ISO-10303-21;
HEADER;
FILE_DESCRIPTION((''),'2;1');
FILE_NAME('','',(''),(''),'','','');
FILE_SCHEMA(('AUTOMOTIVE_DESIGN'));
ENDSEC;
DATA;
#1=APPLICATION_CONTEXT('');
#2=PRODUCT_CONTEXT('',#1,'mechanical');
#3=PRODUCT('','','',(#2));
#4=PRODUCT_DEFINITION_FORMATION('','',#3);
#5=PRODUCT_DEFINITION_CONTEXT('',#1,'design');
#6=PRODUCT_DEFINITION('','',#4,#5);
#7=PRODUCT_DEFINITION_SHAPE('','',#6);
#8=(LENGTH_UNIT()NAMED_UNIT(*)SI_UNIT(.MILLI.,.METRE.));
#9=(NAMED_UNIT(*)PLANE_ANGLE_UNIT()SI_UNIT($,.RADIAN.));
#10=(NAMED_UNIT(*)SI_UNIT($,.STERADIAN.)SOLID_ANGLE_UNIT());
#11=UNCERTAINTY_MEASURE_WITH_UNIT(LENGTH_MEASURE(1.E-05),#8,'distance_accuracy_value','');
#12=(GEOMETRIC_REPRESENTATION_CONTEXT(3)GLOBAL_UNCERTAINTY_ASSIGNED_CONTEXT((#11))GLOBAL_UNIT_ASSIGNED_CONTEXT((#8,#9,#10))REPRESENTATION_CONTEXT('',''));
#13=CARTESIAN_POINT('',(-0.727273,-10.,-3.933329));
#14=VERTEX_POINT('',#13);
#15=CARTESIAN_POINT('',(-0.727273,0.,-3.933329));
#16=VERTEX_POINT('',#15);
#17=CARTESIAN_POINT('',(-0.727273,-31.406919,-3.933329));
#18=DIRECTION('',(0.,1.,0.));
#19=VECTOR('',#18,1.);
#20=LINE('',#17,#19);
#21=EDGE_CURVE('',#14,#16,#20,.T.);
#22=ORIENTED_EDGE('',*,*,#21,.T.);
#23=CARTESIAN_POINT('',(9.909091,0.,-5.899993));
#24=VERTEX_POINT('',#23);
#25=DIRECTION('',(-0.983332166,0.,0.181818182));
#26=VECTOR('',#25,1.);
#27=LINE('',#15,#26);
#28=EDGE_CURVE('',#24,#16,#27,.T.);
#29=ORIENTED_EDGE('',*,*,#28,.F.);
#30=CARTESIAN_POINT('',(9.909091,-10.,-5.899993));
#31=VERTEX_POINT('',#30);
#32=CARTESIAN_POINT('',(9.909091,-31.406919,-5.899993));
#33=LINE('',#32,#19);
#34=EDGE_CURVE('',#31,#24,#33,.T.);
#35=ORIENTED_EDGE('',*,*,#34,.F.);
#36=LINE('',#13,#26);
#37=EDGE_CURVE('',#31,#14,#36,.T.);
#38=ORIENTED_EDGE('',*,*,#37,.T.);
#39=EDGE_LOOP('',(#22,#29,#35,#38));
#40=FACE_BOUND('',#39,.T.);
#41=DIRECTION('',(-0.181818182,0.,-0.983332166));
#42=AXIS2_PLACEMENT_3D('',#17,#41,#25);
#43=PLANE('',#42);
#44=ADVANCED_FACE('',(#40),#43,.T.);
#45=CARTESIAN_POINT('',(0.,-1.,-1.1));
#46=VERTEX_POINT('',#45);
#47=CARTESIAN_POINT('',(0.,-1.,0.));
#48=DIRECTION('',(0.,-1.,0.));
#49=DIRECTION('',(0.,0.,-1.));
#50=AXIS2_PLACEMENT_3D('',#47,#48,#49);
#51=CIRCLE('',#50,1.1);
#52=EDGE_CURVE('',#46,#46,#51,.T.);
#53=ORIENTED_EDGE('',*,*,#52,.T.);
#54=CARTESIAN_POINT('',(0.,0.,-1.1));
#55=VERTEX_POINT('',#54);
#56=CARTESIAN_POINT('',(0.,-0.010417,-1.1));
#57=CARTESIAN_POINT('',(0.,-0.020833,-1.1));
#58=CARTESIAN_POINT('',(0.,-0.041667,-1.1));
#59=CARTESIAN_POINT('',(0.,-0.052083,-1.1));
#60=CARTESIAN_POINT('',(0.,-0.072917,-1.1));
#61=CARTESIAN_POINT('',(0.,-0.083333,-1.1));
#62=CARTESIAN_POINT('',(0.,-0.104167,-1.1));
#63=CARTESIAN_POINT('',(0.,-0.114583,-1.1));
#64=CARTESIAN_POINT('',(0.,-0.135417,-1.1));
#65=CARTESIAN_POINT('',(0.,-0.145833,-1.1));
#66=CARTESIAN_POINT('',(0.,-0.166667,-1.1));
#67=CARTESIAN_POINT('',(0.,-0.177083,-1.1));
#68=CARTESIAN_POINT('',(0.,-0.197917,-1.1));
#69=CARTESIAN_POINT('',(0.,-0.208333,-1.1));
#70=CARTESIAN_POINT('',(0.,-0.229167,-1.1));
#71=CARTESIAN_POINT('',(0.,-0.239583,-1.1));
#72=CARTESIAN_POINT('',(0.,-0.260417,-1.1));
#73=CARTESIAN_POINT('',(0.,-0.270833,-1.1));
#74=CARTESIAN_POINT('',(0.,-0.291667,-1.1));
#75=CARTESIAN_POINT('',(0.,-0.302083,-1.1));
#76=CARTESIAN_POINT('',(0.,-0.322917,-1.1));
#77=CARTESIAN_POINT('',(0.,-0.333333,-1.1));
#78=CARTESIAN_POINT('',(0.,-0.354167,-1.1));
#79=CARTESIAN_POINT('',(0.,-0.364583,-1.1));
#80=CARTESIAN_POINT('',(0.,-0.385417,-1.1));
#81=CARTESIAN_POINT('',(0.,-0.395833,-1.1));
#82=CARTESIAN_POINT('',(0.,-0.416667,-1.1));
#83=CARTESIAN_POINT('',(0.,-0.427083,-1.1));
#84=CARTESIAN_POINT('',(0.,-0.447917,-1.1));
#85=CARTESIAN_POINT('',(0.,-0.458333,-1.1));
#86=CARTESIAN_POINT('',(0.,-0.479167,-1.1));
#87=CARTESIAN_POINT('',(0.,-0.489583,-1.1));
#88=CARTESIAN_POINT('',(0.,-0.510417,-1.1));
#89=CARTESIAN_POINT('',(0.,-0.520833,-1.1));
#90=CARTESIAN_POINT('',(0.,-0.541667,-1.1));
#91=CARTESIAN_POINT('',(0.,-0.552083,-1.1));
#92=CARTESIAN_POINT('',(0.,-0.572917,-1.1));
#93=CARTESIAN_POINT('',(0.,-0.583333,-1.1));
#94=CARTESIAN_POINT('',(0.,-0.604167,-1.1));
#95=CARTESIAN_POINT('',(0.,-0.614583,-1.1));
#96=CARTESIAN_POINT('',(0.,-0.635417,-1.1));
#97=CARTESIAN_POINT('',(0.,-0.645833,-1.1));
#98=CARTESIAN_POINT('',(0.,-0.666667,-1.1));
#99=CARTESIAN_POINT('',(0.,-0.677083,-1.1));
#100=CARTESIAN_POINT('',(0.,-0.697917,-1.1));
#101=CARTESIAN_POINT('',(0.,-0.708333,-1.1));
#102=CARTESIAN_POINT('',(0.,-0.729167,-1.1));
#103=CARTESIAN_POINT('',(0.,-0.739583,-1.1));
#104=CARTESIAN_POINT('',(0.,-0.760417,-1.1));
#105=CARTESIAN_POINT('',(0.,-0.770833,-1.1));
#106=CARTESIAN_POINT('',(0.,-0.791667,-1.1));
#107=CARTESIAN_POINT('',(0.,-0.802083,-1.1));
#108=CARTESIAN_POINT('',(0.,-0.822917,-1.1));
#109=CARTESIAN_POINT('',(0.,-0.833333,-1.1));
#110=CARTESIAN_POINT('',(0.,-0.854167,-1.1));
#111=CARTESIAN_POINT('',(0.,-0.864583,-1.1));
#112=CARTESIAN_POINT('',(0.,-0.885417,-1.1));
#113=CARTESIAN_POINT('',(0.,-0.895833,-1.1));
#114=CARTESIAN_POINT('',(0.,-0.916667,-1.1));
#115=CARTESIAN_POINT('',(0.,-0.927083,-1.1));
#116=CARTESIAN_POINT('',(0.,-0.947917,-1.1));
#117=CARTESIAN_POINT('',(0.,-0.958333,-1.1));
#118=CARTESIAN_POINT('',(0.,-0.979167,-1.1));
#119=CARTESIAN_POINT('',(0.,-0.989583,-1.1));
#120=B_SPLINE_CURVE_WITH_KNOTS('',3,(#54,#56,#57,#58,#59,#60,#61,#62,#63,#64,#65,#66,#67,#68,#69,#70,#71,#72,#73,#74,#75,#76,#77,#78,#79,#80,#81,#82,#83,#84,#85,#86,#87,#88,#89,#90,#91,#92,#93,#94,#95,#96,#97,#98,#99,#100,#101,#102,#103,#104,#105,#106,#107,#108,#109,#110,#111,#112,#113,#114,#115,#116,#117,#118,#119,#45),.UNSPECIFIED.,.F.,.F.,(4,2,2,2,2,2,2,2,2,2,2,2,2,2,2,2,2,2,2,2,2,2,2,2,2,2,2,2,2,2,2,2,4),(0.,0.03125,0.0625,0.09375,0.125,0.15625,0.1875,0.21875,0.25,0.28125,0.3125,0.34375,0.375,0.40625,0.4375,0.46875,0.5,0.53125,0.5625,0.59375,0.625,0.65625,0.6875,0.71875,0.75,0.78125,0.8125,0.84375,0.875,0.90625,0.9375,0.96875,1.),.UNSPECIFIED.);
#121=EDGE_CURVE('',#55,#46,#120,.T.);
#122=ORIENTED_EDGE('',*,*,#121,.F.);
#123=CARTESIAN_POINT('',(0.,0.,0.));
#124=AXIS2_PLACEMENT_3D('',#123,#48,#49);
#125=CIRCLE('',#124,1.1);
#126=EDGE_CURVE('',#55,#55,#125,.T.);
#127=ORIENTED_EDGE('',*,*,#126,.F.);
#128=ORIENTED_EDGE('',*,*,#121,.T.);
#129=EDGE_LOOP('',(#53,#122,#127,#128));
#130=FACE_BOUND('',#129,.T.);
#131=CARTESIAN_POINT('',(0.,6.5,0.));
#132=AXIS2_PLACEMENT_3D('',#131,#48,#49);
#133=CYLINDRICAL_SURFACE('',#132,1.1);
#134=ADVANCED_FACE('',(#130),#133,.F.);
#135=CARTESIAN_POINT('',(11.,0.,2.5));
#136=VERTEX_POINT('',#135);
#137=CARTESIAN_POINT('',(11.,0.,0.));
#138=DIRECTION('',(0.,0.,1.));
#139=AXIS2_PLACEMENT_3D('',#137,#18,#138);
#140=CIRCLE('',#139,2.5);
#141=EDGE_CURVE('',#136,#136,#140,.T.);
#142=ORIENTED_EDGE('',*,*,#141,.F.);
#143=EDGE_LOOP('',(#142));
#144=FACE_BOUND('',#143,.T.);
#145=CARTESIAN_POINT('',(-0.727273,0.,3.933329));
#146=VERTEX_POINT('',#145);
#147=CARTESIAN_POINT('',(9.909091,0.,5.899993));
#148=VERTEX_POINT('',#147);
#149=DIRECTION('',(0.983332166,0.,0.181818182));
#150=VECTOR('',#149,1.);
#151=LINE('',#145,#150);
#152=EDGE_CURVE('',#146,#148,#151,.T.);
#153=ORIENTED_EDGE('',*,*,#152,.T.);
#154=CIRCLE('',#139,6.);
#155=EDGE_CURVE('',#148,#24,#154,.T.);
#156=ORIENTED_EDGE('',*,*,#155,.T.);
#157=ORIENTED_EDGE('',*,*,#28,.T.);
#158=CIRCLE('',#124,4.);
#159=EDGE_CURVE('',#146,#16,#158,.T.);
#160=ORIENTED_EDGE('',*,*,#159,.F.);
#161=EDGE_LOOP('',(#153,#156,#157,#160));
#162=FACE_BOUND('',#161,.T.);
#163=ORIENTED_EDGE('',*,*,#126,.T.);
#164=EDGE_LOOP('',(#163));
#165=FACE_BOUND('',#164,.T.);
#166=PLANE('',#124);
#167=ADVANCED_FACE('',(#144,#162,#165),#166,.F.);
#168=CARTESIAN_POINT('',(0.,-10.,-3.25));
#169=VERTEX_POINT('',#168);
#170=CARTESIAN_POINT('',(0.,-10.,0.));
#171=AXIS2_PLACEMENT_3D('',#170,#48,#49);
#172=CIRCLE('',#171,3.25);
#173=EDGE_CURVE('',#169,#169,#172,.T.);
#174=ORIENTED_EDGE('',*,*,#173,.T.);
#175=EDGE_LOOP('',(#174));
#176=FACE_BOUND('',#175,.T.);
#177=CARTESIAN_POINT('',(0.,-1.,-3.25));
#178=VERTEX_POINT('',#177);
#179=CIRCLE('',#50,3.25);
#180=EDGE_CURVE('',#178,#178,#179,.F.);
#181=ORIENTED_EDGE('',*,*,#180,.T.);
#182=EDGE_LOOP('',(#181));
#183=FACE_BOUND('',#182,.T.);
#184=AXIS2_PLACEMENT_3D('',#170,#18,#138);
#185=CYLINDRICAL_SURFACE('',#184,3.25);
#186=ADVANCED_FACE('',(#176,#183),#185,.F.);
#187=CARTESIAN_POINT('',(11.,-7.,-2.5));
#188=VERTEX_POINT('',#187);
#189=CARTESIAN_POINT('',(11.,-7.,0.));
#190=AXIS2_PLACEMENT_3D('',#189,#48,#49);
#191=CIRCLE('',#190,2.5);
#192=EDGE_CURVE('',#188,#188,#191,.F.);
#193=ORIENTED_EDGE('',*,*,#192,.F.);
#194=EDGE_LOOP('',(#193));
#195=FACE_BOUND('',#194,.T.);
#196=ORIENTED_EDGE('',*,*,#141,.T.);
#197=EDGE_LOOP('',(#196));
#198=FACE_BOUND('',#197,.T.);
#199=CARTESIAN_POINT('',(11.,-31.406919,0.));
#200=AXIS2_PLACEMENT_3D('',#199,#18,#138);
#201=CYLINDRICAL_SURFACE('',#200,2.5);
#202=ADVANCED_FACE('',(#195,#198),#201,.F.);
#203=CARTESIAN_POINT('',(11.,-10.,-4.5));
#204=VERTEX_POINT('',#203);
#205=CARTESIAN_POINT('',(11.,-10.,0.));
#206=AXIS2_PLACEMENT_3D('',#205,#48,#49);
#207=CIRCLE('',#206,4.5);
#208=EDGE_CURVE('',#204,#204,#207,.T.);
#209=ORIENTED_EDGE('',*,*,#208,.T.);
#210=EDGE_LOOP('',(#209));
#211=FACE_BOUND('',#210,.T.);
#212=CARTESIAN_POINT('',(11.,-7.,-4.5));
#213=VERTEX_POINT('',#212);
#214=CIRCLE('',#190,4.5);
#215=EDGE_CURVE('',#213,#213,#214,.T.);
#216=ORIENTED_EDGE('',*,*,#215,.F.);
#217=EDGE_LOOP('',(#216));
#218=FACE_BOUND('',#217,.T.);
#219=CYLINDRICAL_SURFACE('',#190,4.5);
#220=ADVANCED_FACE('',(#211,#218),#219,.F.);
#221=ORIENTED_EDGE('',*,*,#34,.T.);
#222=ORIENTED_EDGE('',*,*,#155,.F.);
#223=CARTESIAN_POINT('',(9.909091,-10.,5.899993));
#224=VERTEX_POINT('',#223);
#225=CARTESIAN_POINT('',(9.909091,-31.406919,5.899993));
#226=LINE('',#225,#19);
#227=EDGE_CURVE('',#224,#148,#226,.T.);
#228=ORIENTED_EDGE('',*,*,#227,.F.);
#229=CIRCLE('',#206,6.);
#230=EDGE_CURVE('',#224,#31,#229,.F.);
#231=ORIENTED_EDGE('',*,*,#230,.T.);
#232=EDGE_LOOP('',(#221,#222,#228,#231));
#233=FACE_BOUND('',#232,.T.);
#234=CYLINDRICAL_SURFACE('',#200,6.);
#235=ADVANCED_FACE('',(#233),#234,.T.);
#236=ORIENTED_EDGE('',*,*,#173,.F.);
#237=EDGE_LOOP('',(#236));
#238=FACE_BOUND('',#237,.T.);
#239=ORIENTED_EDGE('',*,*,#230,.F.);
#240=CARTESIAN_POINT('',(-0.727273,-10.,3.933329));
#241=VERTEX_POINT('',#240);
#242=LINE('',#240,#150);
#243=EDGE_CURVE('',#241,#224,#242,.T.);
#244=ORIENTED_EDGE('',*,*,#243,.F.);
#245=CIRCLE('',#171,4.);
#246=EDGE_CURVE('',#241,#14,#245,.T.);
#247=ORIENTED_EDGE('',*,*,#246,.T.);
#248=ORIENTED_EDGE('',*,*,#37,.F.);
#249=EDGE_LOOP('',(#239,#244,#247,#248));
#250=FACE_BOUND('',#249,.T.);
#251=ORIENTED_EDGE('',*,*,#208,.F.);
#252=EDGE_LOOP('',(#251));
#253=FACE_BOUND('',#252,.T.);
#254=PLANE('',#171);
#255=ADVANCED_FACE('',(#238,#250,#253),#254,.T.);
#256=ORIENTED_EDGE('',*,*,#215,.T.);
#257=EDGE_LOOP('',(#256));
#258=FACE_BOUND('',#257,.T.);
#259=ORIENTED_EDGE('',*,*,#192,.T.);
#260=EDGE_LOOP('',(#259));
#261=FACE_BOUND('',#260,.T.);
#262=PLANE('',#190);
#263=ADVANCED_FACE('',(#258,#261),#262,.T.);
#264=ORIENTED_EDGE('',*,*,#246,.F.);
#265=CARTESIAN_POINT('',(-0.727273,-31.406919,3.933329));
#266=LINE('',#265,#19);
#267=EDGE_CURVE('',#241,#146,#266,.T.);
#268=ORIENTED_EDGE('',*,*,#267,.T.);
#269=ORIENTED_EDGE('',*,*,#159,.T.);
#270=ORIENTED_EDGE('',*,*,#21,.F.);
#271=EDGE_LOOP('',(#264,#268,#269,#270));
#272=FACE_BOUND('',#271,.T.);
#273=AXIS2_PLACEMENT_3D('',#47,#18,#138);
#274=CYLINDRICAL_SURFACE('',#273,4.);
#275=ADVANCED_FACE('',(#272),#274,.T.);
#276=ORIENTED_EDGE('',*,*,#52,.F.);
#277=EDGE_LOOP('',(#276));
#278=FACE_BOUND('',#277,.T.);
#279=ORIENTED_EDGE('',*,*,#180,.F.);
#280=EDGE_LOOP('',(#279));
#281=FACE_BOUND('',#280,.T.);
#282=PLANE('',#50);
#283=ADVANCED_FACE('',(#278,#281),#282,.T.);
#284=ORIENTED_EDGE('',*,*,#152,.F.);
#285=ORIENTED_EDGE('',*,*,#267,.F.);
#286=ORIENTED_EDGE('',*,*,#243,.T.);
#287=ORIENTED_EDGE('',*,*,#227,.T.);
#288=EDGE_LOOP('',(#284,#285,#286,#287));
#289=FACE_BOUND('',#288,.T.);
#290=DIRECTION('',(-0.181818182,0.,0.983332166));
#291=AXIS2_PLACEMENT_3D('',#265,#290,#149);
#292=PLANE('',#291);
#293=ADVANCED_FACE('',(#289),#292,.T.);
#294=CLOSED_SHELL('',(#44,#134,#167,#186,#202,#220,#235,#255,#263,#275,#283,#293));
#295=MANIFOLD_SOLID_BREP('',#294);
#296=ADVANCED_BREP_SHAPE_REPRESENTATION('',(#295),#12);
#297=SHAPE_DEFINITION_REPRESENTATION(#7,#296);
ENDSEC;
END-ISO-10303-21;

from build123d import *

# Parameters (mm, degrees)
SKETCH_1_R          = 1.5
SKETCH_1_R_2        = 1.1
EXTRUDE_1_DEPTH     = 6.5
EXTRUDE_START       = 1
SKETCH_2_R          = 4
SKETCH_2_R_2        = 1.1
EXTRUDE_2_DEPTH     = 1
EXTRUDE_START_2     = 9
SKETCH_3_R          = 4
SKETCH_3_R_2        = 3.25
EXTRUDE_3_DEPTH     = 9
EXTRUDE_START_3     = -10
SKETCH_4_R          = 2.5
EXTRUDE_4_DEPTH     = 10
SKETCH_5_R          = 4.5
CUT_EXTRUDE_1_DEPTH = 3
CUT_EXTRUDE_START   = -6.5
SKETCH_7_R          = 1.5
CUT_EXTRUDE_2_DEPTH = 6.5


with BuildPart() as part:
    # Эскиз1 → Бобышка-Вытянуть1 (new body)
    with BuildSketch(Plane(origin=(0, 0, 0), x_dir=(1, 0, 0), z_dir=(0, 1, 0))):
        with Locations(Location((0, 0, 0), (0, 0, 90))):
            Circle(SKETCH_1_R)
        with Locations(Location((0, 0, 0), (0, 0, 90))):
            Circle(SKETCH_1_R_2, mode=Mode.SUBTRACT)
    extrude(amount=EXTRUDE_1_DEPTH)

    # Эскиз2 → Бобышка-Вытянуть2 (add)
    with BuildSketch(Plane.XZ.offset(EXTRUDE_START)):
        with Locations(Location((0, 0, 0), (0, 0, 270))):
            Circle(SKETCH_2_R)
        with Locations(Location((0, 0, 0), (0, 0, 270))):
            Circle(SKETCH_2_R_2, mode=Mode.SUBTRACT)
    extrude(amount=-EXTRUDE_2_DEPTH)

    # Эскиз3 → Бобышка-Вытянуть3 (add)
    with BuildSketch(Plane.XZ.offset(1).offset(EXTRUDE_START_2)):
        with Locations(Location((0, 0, 0), (0, 0, 270))):
            Circle(SKETCH_3_R)
        with Locations(Location((0, 0, 0), (0, 0, 270))):
            Circle(SKETCH_3_R_2, mode=Mode.SUBTRACT)
    extrude(amount=-EXTRUDE_3_DEPTH)

    # Эскиз4 → Бобышка-Вытянуть4 (add)
    with BuildSketch(Plane(origin=(0, 0, 0), x_dir=(1, 0, 0), z_dir=(0, 1, 0)).offset(EXTRUDE_START_3)):
        with BuildLine():
            ThreePointArc((-0.727272727, 3.933328664), (4, 0), (-0.727272727, -3.933328664))
            Line((-0.727272727, -3.933328664), (9.909090909, -5.899992996))
            ThreePointArc((9.909090909, -5.899992996), (17, 0), (9.909090909, 5.899992996))
            Line((9.909090909, 5.899992996), (-0.727272727, 3.933328664))
        make_face()
        with Locations(Location((11, 0, 0), (0, 0, 270))):
            Circle(SKETCH_4_R, mode=Mode.SUBTRACT)
    extrude(amount=EXTRUDE_4_DEPTH)

    # Эскиз5 → Вырез-Вытянуть1 (cut)
    with BuildSketch(Plane.XZ.offset(10)):
        with Locations(Location((11, 0, 0), (0, 0, 270))):
            Circle(SKETCH_5_R)
    extrude(amount=-CUT_EXTRUDE_1_DEPTH, mode=Mode.SUBTRACT)

    # Эскиз7 → Вырез-Вытянуть2 (cut)
    with BuildSketch(Plane(origin=(0, 6.5, 0), x_dir=(1, 0, 0), z_dir=(0, 1, 0)).offset(CUT_EXTRUDE_START)):
        Circle(SKETCH_7_R)
    extrude(amount=CUT_EXTRUDE_2_DEPTH, mode=Mode.SUBTRACT)


solid = part.part
